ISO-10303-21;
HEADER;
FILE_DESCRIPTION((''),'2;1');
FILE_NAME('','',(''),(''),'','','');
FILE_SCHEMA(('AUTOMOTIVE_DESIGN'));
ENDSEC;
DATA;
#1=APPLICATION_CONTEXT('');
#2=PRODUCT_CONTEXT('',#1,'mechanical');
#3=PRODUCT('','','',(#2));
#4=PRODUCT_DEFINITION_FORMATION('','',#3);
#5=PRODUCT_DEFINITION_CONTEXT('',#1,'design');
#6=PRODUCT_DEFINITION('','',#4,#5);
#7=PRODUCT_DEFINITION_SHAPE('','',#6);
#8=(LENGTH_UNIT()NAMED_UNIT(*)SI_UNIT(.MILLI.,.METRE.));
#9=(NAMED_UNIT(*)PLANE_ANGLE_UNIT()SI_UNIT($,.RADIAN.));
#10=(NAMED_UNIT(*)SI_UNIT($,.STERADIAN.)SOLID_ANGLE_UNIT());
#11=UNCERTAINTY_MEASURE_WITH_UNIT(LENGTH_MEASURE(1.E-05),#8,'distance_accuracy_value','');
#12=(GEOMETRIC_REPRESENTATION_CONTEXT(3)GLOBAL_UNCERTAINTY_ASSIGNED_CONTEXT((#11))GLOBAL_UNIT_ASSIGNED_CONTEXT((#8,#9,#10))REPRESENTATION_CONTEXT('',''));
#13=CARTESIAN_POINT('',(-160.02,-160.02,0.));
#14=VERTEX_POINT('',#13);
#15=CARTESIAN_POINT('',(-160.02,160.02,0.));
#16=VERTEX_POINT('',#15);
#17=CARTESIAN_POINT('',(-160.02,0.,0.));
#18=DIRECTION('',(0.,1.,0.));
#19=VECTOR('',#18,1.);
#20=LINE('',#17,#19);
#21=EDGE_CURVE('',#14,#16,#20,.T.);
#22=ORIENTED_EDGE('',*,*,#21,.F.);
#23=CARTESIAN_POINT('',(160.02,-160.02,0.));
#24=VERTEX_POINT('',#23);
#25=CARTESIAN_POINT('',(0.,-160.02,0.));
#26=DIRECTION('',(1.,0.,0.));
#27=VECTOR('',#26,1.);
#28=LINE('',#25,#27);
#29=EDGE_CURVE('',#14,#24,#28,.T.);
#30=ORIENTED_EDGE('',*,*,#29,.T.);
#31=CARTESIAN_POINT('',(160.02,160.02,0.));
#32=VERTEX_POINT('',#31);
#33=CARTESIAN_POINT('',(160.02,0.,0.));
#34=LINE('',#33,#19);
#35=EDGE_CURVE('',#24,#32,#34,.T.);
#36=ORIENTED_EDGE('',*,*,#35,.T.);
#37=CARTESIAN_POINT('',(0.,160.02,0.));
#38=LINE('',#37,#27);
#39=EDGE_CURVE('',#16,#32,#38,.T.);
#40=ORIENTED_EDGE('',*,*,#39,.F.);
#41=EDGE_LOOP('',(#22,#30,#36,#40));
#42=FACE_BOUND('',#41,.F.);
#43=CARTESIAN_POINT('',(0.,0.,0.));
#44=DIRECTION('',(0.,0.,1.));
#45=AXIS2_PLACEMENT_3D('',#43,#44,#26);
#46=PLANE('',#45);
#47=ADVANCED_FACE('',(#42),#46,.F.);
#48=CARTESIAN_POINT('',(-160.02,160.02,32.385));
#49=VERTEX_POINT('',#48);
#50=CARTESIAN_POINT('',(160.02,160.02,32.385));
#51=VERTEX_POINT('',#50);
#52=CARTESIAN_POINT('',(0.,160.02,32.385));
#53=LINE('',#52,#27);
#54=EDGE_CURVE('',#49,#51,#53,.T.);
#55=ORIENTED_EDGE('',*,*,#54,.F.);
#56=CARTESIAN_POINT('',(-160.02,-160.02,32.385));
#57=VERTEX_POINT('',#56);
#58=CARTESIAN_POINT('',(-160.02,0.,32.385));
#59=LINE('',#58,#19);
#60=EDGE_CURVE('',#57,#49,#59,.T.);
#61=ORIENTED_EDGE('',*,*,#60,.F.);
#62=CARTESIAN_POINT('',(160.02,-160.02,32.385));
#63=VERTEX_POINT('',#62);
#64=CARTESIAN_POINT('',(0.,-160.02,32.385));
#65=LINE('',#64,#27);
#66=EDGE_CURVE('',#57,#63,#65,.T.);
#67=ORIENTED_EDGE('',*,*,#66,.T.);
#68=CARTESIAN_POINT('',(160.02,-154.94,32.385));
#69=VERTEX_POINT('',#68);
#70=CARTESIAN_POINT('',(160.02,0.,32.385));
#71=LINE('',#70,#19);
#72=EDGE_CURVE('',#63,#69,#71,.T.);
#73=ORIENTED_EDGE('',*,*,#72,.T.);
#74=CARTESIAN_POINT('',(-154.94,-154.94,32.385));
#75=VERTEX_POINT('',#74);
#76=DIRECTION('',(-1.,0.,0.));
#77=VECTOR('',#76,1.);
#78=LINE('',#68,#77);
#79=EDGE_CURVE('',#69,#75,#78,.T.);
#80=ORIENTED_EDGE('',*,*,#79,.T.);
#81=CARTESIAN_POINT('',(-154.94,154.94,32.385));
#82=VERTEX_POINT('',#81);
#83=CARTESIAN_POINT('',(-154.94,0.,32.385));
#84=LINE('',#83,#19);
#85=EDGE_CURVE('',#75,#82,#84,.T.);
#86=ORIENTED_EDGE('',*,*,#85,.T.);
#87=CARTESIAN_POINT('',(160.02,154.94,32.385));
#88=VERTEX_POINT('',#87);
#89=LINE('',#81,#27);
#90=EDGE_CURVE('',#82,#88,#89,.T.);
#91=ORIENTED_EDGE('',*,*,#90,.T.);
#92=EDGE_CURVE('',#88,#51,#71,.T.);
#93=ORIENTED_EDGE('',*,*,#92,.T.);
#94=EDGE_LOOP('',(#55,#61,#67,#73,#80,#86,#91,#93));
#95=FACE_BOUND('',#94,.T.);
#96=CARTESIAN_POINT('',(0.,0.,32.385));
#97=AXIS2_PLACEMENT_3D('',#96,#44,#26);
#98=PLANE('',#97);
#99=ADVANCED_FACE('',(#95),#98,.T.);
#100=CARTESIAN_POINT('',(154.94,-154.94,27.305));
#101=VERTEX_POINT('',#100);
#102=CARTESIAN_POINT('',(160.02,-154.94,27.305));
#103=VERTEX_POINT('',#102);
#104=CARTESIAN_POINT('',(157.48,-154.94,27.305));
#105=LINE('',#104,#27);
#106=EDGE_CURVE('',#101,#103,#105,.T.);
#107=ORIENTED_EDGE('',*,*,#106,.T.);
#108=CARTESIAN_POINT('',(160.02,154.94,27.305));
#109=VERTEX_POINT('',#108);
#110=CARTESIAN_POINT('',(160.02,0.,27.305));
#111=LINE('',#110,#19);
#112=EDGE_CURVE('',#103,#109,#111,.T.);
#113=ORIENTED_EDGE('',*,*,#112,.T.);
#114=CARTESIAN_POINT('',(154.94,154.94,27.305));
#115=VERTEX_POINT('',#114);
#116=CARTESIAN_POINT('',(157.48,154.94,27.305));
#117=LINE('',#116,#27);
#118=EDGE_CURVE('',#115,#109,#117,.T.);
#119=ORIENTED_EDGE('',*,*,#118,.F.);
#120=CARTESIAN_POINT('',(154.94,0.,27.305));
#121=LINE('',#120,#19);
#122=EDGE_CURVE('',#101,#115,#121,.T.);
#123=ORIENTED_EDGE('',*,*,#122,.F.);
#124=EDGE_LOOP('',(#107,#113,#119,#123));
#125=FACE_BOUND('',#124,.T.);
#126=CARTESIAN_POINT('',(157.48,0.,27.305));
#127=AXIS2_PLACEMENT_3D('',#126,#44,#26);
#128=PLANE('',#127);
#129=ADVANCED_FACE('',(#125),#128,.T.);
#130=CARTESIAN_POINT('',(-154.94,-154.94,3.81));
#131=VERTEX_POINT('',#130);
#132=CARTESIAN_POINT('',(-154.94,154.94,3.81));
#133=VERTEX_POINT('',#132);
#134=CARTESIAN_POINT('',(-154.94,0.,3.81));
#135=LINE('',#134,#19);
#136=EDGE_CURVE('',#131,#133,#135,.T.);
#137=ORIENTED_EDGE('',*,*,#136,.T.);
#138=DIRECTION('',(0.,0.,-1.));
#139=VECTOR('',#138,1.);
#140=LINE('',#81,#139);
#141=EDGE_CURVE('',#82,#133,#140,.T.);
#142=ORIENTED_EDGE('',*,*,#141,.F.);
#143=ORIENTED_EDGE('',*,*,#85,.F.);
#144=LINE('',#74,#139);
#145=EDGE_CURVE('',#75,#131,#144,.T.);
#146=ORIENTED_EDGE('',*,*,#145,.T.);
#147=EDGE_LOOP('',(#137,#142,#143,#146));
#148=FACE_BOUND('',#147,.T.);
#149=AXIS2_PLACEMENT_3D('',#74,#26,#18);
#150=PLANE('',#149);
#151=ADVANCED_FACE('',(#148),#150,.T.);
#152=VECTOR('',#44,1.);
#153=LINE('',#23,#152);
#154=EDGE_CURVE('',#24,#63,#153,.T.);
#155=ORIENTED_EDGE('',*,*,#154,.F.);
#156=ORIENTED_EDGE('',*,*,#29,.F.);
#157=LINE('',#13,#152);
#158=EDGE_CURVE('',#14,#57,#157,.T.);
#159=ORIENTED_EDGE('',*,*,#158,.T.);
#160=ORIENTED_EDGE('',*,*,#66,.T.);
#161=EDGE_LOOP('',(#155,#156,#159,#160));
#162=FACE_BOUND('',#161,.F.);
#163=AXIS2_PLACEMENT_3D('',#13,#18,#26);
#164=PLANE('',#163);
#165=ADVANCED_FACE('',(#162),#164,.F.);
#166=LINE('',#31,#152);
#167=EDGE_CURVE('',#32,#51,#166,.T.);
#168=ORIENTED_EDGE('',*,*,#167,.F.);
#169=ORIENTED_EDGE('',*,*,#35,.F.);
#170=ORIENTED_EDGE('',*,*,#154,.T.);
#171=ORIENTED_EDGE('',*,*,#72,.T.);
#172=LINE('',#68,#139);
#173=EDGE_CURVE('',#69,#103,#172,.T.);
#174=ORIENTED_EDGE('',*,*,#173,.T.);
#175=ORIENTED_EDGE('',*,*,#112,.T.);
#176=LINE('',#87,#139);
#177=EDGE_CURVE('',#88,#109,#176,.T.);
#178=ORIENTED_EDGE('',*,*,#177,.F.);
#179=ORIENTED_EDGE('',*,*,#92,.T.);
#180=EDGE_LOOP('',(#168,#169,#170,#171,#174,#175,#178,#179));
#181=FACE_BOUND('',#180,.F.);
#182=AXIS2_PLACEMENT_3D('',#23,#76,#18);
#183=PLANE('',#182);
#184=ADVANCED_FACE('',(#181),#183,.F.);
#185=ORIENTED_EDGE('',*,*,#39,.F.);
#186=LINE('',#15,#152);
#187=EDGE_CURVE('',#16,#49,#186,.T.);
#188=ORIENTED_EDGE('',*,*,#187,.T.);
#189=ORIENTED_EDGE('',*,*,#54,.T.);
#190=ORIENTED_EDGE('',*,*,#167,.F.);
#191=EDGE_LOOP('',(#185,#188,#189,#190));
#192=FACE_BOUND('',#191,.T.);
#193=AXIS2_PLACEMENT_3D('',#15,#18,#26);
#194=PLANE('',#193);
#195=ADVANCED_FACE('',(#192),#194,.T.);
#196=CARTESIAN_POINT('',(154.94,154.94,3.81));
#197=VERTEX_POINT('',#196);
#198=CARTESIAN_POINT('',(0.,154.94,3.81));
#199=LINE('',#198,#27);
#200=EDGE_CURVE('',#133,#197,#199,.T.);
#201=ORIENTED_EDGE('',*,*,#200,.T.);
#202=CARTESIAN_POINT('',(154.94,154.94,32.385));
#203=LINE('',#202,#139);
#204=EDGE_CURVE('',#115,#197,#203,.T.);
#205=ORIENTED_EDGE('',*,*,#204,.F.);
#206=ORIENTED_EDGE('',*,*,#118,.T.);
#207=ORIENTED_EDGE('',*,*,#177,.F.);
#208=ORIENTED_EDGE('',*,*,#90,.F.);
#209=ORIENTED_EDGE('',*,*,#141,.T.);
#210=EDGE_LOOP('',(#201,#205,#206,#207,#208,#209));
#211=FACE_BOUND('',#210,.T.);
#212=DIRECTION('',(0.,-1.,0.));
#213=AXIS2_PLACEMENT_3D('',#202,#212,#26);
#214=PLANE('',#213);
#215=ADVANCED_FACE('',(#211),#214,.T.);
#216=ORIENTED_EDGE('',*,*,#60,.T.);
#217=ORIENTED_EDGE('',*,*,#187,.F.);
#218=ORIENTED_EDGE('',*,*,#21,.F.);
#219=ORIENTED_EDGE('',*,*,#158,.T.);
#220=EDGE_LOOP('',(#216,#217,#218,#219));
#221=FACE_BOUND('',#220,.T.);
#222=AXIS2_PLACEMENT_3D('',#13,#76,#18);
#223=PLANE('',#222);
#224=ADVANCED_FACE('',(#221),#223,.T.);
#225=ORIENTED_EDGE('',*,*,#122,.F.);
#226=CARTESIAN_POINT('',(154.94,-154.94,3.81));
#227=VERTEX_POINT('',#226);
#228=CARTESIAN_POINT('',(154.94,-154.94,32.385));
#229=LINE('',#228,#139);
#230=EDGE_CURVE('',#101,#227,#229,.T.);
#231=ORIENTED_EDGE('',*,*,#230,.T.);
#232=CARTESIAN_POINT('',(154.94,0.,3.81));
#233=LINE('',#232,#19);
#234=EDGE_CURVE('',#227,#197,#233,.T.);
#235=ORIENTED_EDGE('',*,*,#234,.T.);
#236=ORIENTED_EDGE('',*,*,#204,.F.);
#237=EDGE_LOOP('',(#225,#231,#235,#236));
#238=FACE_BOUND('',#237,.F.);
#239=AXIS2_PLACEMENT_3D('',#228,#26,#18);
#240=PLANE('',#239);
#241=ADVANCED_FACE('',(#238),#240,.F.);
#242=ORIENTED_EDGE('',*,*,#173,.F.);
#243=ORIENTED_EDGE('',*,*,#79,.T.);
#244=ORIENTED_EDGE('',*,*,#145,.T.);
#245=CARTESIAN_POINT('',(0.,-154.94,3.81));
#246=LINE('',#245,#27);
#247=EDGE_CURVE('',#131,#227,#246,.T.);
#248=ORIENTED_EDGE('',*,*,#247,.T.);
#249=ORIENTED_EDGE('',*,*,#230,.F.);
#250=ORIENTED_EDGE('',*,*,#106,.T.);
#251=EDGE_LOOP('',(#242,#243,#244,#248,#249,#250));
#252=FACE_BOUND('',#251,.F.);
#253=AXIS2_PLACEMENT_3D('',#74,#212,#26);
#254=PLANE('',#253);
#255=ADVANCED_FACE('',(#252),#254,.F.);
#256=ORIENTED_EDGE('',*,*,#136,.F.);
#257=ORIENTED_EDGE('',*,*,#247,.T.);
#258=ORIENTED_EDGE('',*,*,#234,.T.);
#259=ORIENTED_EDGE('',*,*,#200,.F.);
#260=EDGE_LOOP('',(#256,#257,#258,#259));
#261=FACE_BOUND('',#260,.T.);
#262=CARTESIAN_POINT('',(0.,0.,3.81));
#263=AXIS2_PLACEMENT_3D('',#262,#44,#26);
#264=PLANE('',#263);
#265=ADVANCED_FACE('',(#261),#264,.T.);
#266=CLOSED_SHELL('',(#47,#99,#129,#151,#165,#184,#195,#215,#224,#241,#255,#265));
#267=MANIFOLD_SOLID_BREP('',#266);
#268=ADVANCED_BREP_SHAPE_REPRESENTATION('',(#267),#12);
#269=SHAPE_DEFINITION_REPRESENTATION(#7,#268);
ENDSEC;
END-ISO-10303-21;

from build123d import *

# Parameters (mm, degrees)
F0_W     = 320.04
F0_H     = 320.04
F1_DEPTH = 32.385
F2_W     = 309.88
F2_H     = 309.88
F3_DEPTH = 28.575
F4_W     = 5.08
F4_H     = 309.88
F5_DEPTH = 5.08


with BuildPart() as f1:
    # F0 (on Top) → F1 (new body)
    with BuildSketch(Plane.XY):
        Rectangle(F0_W, F0_H)
    extrude(amount=F1_DEPTH)

    # F2 (on face) → F3 (cut)
    with BuildSketch(Plane.XY.offset(32.385)):
        Rectangle(F2_W, F2_H)
    extrude(amount=-F3_DEPTH, mode=Mode.SUBTRACT)

    # F4 (on face) → F5 (cut)
    with BuildSketch(Plane.XY.offset(32.385)):
        with Locations((157.48, 0)):
            Rectangle(F4_W, F4_H)
    extrude(amount=-F5_DEPTH, mode=Mode.SUBTRACT)


solid = f1.part
